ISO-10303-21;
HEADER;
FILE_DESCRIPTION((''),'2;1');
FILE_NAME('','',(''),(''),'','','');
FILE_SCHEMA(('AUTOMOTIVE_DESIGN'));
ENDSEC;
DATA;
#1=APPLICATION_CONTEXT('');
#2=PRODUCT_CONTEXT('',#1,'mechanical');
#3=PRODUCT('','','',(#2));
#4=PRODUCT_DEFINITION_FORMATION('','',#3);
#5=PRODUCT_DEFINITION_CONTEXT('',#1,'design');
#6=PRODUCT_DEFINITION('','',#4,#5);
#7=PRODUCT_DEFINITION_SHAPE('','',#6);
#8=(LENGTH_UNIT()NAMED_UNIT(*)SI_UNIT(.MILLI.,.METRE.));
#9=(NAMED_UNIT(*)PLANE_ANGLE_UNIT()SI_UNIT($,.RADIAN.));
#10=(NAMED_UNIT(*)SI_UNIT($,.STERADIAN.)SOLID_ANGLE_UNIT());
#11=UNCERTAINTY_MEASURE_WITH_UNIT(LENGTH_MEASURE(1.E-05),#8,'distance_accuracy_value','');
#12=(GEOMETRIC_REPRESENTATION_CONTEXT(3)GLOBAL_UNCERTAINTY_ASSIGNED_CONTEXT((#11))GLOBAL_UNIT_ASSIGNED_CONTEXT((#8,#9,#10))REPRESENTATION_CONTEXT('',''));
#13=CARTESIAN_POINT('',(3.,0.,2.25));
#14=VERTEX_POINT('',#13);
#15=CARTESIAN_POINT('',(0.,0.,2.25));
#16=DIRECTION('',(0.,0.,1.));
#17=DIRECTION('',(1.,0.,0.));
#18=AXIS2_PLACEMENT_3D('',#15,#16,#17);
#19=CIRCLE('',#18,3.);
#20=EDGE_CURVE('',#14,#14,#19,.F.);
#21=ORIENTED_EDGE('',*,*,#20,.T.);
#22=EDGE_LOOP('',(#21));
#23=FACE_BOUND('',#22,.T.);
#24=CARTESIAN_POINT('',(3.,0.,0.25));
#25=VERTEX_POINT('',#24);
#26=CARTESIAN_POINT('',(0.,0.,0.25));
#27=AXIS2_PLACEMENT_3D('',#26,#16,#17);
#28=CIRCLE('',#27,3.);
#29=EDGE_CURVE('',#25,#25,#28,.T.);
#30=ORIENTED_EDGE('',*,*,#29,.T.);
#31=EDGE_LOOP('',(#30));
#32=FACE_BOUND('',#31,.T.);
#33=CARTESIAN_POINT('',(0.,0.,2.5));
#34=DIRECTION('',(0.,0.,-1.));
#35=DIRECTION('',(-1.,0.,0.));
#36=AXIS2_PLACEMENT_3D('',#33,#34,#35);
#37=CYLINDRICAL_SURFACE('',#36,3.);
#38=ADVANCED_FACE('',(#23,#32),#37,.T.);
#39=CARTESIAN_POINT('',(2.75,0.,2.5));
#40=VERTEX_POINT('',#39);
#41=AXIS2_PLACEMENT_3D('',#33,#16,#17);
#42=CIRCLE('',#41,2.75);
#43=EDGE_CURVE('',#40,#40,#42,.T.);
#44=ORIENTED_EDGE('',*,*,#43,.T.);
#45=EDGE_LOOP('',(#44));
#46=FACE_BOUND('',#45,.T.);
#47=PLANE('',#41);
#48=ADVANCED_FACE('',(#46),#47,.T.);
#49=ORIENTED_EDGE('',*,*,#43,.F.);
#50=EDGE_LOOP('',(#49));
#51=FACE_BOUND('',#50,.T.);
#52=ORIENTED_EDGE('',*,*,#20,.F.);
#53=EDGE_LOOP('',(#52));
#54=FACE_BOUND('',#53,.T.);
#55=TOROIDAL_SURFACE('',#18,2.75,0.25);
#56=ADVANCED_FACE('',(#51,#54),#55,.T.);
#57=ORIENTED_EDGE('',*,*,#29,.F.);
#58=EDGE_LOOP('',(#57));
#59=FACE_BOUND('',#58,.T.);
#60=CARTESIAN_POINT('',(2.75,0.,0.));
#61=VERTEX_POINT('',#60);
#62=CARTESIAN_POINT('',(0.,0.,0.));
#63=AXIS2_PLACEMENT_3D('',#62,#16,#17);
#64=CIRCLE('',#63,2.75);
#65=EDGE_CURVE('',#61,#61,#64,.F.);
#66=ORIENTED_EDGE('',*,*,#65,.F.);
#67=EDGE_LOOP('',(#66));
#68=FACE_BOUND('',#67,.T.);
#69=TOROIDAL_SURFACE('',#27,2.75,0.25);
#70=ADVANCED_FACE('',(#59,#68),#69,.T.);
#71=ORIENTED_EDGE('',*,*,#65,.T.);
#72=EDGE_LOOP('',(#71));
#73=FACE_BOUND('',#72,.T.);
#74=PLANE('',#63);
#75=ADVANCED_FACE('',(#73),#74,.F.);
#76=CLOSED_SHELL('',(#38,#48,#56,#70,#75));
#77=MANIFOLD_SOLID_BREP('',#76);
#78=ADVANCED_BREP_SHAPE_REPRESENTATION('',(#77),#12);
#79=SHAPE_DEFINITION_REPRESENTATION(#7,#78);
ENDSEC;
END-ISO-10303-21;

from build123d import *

# Parameters (mm, degrees)
SKETCH1_R           = 3
BOSS_EXTRUDE1_DEPTH = 2.5
FILLET1_R           = 0.25


with BuildPart() as part:
    # Sketch1 → Boss-Extrude1 (new body)
    with BuildSketch(Plane.XY):
        Circle(SKETCH1_R)
    extrude(amount=BOSS_EXTRUDE1_DEPTH)

    # Fillet1
    fillet1_edges = [part.edges().sort_by_distance(p)[0] for p in [
        (-3, 0, 0),
        (-3, 0, 2.5),
    ]]
    fillet(fillet1_edges, radius=FILLET1_R)


solid = part.part
